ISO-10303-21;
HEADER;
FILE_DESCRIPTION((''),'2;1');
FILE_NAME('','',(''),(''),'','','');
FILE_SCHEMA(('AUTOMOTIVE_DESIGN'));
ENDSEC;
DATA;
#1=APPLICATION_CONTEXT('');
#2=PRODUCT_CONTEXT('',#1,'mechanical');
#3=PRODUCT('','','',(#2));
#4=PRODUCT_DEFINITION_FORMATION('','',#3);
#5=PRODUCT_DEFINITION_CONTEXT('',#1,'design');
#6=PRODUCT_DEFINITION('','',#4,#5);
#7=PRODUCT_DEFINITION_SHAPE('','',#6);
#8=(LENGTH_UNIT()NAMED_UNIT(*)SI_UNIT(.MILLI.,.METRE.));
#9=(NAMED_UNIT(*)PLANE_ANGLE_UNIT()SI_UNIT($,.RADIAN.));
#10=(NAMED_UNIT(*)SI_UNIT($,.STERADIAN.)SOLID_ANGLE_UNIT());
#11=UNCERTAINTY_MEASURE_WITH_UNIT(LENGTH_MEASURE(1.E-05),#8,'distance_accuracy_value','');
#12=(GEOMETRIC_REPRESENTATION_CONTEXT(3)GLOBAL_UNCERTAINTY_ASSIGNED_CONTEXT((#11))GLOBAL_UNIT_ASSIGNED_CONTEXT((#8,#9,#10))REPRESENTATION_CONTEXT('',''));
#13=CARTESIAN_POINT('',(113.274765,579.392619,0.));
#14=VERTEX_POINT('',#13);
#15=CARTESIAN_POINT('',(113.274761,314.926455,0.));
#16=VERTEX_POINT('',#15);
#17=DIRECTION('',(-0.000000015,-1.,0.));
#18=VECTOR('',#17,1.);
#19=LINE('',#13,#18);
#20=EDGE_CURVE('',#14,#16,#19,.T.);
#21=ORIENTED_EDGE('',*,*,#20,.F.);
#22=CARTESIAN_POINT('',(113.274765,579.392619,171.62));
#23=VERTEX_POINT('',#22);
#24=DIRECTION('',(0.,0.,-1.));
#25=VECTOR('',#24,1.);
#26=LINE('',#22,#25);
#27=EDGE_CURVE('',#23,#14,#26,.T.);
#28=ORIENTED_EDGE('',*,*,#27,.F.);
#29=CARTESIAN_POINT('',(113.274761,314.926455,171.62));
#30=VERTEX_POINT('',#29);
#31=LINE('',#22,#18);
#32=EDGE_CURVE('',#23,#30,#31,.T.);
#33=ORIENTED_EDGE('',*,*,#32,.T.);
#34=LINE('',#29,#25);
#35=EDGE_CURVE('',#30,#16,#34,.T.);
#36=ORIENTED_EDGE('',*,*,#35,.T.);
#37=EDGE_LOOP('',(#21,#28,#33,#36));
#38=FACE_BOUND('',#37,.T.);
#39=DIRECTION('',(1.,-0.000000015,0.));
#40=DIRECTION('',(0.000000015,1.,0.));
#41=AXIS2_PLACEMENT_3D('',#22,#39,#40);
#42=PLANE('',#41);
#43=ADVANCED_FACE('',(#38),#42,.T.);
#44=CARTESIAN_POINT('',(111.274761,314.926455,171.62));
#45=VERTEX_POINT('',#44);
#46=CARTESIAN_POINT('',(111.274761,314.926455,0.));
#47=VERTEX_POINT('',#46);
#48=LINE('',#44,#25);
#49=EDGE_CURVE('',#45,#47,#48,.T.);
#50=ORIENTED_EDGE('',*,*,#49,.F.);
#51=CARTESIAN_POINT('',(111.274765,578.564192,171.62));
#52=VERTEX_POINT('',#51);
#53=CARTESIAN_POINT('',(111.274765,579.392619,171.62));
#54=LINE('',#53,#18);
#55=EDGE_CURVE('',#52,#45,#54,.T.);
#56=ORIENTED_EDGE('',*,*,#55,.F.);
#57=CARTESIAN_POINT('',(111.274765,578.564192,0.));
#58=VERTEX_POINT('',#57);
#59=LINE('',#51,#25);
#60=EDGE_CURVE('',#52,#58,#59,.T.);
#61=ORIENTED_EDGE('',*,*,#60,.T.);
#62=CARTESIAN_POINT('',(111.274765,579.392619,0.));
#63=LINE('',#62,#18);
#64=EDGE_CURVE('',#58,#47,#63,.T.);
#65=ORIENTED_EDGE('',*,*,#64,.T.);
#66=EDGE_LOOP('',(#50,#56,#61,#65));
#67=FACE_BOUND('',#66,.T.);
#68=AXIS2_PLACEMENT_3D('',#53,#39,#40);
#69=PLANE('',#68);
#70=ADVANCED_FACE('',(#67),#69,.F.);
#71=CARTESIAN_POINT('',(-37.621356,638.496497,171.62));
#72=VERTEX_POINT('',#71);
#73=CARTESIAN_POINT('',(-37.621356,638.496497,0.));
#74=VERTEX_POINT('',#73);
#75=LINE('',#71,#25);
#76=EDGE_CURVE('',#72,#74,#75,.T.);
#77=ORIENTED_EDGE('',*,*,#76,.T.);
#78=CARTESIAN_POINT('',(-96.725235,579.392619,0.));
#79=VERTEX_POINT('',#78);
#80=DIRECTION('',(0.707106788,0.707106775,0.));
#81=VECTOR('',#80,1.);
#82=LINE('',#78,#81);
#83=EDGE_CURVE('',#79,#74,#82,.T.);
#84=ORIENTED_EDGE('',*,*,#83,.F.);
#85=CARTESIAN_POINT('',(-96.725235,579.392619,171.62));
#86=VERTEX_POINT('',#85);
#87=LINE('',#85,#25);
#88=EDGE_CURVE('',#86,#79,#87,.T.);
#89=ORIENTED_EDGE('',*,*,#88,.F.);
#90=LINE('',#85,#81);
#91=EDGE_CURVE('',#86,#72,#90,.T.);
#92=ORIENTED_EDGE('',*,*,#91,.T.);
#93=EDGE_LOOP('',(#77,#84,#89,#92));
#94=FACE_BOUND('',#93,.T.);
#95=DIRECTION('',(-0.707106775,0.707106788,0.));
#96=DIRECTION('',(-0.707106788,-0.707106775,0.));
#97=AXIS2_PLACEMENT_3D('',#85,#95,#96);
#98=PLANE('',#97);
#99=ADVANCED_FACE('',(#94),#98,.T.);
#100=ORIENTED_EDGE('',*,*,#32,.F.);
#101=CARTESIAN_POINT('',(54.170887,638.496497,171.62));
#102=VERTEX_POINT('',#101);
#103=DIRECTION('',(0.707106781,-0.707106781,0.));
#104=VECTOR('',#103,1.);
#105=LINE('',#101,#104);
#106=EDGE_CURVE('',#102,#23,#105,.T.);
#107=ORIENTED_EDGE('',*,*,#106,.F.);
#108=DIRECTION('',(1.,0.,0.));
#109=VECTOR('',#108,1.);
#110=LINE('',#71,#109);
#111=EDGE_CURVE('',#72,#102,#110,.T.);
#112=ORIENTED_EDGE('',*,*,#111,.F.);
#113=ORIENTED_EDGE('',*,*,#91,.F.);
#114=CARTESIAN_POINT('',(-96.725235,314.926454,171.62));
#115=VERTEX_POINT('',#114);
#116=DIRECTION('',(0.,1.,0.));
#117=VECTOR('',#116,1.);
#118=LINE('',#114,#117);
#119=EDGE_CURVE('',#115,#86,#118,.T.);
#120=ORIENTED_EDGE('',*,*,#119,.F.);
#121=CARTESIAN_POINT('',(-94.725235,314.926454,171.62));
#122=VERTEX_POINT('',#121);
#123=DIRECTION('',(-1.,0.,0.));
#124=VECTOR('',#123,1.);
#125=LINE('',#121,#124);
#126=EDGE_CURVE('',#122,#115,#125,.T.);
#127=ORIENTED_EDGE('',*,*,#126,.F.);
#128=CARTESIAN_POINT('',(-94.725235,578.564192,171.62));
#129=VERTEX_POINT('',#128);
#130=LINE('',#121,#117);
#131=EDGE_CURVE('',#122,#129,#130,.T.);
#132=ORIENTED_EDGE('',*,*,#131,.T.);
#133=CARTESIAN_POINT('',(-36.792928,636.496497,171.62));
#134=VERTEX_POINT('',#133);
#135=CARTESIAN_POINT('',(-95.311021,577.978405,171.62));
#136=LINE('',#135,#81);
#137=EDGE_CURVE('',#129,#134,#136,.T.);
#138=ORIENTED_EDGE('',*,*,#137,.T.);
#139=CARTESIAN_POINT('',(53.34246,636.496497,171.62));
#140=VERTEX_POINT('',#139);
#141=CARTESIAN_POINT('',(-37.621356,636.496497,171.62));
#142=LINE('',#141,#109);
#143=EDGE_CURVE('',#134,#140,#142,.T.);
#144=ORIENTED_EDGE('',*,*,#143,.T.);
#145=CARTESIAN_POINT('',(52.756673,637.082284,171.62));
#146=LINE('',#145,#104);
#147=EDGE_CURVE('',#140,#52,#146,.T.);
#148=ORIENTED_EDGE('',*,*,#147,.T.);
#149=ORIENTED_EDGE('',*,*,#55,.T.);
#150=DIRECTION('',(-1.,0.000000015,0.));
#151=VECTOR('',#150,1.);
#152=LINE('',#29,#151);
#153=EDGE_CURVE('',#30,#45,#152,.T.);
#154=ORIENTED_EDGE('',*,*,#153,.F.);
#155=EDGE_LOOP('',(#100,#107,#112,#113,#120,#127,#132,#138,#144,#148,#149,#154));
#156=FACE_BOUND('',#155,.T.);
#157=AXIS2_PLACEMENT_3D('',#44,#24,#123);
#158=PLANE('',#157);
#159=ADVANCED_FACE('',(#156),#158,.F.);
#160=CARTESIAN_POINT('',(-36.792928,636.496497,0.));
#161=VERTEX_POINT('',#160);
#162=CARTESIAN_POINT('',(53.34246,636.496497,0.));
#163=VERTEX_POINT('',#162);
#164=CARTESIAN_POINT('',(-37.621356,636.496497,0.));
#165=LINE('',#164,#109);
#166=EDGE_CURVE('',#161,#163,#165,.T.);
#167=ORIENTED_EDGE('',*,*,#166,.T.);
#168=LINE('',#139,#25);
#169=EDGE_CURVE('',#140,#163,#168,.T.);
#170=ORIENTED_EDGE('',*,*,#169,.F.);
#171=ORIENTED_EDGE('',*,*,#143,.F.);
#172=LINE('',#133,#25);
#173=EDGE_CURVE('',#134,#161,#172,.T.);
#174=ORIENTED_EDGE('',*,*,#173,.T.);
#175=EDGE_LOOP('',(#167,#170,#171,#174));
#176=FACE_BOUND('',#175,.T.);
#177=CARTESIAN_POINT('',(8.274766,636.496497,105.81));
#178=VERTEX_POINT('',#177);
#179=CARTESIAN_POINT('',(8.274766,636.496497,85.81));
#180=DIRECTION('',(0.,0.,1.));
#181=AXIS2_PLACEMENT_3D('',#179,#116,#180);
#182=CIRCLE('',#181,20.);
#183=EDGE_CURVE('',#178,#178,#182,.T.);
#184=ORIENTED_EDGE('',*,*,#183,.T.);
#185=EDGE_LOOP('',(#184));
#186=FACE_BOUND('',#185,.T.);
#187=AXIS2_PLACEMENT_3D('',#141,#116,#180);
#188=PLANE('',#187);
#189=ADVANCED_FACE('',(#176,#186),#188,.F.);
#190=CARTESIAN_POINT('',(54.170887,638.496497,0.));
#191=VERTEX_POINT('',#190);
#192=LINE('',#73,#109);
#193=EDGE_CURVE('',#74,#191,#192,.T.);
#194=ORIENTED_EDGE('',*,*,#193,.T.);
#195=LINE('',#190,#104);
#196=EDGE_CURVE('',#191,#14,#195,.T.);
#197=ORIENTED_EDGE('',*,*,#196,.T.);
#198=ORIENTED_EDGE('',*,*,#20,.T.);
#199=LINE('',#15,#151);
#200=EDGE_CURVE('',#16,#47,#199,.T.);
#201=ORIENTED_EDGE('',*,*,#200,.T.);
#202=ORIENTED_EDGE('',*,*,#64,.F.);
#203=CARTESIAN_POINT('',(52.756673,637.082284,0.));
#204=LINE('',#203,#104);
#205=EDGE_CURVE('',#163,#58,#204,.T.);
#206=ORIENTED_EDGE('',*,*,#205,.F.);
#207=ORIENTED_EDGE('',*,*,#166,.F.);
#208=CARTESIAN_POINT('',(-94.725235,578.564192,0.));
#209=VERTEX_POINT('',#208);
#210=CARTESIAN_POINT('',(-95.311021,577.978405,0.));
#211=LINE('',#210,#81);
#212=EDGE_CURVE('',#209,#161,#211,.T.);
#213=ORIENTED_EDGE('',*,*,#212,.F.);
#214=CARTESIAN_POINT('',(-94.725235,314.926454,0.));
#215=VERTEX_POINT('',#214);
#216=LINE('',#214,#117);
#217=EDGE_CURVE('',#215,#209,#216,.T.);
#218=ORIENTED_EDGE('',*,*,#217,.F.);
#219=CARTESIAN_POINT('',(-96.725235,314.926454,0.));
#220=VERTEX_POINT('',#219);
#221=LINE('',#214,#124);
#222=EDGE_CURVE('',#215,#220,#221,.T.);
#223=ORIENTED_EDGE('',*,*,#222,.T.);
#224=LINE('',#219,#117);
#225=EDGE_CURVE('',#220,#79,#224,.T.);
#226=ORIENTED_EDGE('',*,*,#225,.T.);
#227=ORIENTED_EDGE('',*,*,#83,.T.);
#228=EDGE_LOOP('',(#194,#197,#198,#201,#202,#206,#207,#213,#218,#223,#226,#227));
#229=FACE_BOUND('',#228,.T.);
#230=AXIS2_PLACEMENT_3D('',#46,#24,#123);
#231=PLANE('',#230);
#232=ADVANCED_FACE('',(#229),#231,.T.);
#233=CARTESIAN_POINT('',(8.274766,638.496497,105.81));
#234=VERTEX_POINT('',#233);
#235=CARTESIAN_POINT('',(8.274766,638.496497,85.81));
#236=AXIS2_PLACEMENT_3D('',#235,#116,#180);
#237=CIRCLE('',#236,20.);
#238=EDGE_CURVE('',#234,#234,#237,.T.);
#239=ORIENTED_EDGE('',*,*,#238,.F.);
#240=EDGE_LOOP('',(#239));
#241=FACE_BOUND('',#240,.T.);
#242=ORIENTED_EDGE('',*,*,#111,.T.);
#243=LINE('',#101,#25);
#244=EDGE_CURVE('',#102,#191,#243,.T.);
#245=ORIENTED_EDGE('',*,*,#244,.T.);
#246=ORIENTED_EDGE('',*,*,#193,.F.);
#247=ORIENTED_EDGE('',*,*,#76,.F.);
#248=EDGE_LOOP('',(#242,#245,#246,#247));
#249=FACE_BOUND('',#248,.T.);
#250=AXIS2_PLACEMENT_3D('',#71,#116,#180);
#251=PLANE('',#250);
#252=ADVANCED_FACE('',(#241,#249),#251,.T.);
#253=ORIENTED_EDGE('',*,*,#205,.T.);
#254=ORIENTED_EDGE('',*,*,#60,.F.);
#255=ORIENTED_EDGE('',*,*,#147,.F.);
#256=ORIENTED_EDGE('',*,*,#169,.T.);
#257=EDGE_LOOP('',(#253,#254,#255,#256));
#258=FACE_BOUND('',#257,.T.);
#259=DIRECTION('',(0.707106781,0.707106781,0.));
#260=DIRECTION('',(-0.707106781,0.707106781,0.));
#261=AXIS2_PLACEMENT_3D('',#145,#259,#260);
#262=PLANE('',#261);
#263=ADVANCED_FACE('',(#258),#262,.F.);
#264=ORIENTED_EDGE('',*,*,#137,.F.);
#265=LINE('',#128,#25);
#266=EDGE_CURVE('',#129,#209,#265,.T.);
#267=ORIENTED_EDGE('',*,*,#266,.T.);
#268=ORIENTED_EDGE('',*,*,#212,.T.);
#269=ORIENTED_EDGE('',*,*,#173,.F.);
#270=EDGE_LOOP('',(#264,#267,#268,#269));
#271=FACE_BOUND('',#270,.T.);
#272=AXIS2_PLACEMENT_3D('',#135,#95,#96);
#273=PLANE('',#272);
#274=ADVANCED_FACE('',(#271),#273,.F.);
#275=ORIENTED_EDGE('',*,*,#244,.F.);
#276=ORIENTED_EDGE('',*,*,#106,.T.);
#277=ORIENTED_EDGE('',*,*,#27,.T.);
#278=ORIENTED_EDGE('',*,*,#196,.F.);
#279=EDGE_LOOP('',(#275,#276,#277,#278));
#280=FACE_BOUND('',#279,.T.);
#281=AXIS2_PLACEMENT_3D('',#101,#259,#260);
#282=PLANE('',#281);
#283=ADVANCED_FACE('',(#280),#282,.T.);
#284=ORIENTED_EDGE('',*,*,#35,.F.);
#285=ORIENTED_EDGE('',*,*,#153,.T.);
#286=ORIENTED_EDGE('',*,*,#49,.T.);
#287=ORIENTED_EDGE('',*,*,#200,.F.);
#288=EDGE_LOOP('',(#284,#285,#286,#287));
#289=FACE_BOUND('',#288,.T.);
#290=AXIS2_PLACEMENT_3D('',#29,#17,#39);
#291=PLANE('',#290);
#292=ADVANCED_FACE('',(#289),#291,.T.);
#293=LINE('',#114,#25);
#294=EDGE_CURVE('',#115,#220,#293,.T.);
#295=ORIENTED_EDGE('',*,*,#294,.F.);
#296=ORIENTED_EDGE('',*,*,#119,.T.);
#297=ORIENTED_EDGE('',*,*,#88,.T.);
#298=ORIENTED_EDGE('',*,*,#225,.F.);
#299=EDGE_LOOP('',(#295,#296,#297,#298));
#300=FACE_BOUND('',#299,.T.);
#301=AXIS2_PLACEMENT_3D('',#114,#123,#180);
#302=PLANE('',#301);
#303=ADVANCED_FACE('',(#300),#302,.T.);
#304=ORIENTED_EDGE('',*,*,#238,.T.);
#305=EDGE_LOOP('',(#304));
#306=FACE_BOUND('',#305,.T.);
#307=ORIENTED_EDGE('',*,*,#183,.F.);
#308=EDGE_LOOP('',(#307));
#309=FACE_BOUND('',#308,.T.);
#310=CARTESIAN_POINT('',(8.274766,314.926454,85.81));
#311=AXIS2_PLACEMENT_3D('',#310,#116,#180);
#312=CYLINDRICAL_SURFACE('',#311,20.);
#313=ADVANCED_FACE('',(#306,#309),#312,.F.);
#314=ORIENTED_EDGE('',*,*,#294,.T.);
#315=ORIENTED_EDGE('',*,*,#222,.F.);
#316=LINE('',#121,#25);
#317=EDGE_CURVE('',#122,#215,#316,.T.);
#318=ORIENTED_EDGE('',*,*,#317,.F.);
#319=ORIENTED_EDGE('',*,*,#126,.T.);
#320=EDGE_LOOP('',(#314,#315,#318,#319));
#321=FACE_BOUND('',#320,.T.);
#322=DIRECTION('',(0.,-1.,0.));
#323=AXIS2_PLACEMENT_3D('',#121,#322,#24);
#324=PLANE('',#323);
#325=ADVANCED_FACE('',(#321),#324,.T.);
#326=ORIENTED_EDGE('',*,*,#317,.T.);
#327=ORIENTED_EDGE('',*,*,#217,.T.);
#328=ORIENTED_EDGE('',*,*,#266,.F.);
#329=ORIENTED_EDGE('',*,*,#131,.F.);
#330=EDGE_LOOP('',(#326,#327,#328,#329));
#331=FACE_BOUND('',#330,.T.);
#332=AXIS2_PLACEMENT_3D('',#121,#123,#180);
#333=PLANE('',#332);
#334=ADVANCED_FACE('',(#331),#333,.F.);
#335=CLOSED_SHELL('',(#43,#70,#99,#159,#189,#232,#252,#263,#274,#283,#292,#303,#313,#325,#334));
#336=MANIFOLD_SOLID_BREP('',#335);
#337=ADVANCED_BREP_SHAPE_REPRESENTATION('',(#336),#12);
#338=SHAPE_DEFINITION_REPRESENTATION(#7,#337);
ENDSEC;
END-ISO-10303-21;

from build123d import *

# Parameters (mm, degrees)
EXTRUDE_1_DEPTH     = 171.62
SKETCH_2_R          = 20
CUT_EXTRUDE_1_DEPTH = 384.382537519


with BuildPart() as part:
    # Эскиз1 → Вытянуть-Тонкостенный1 (new body)
    with BuildSketch(Plane.XY):
        Polygon((-96.72523491, 314.926453532), (-96.72523491, 579.392619017), (-37.621355545, 638.496497272), (54.170886835, 638.496497272), (113.274765367, 579.39261874), (113.27476147, 314.926454672), (111.27476147, 314.926454702), (111.274765355, 578.564191627), (53.34245971, 636.496497272), (-36.792928431, 636.496497272), (-94.72523491, 578.564191882), (-94.72523491, 314.926453532), align=None)
    extrude(amount=EXTRUDE_1_DEPTH)

    # Эскиз2 → Вырез-Вытянуть1 (cut, through all)
    with BuildSketch(Plane(origin=(0, 638.496497272, 0), x_dir=(1, 0, 0), z_dir=(0, 1, 0))):
        with Locations(Location((8.274765645, -85.81, 0), (0, 0, 270))):
            Circle(SKETCH_2_R)
    extrude(amount=-CUT_EXTRUDE_1_DEPTH, mode=Mode.SUBTRACT)


solid = part.part
